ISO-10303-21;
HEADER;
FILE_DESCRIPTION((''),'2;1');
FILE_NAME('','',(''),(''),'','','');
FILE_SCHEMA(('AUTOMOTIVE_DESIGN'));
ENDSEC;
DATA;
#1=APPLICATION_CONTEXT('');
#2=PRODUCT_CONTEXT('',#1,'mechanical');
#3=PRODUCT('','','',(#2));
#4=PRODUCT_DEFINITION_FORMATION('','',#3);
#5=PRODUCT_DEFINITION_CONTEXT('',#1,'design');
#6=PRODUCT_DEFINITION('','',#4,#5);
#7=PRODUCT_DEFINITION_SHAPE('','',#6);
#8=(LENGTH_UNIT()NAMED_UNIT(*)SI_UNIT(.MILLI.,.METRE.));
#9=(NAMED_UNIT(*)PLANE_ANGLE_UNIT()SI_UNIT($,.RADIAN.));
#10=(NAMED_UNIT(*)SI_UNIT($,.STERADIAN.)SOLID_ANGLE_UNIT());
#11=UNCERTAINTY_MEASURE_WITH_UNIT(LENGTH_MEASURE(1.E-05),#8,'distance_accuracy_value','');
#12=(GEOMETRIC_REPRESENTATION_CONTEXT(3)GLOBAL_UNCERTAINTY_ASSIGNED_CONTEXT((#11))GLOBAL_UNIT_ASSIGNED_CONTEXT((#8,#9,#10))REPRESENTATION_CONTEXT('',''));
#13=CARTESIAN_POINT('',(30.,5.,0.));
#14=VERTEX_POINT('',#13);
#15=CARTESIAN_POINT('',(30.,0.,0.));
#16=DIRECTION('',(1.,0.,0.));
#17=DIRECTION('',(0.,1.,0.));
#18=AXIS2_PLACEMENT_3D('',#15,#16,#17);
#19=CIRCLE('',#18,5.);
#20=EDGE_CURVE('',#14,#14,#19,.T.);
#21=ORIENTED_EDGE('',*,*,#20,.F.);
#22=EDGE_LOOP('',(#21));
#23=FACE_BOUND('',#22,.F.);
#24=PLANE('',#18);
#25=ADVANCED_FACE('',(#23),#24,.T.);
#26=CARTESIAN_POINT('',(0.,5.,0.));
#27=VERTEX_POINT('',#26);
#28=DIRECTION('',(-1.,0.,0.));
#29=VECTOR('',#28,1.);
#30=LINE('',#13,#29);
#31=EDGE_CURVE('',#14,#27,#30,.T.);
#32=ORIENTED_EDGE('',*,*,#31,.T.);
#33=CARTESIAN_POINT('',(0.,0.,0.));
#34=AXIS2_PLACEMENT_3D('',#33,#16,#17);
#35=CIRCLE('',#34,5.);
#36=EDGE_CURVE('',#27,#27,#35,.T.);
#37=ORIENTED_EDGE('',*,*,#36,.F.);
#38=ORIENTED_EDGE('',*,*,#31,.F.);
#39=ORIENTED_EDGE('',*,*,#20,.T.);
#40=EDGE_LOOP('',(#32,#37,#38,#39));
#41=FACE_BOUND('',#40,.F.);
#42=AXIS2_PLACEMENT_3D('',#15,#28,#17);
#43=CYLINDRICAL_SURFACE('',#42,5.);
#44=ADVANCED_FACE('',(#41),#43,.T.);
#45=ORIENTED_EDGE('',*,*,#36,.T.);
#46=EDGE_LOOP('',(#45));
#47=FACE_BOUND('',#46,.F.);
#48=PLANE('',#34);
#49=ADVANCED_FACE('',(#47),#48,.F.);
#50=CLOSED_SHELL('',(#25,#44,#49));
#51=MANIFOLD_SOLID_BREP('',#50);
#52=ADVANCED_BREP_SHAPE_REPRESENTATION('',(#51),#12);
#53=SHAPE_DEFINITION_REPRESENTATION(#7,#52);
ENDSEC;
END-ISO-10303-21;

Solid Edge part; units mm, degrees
sketch "Sketch1" plane through (0, 0, 0) normal (0, 0, 1) x (1, 0, 0)
  line L0 (30, 5) -> (0, 5)
  line L1 (0, 5) -> (0, 0)
  line L2 (0, 0) -> (30, 0)
  line L3 (30, 0) -> (30, 5)
revolve "RevolvedProtrusion1" add sketch "Sketch1" angle 360 about axis through (0, 0, 0) along (1, 0, 0)
